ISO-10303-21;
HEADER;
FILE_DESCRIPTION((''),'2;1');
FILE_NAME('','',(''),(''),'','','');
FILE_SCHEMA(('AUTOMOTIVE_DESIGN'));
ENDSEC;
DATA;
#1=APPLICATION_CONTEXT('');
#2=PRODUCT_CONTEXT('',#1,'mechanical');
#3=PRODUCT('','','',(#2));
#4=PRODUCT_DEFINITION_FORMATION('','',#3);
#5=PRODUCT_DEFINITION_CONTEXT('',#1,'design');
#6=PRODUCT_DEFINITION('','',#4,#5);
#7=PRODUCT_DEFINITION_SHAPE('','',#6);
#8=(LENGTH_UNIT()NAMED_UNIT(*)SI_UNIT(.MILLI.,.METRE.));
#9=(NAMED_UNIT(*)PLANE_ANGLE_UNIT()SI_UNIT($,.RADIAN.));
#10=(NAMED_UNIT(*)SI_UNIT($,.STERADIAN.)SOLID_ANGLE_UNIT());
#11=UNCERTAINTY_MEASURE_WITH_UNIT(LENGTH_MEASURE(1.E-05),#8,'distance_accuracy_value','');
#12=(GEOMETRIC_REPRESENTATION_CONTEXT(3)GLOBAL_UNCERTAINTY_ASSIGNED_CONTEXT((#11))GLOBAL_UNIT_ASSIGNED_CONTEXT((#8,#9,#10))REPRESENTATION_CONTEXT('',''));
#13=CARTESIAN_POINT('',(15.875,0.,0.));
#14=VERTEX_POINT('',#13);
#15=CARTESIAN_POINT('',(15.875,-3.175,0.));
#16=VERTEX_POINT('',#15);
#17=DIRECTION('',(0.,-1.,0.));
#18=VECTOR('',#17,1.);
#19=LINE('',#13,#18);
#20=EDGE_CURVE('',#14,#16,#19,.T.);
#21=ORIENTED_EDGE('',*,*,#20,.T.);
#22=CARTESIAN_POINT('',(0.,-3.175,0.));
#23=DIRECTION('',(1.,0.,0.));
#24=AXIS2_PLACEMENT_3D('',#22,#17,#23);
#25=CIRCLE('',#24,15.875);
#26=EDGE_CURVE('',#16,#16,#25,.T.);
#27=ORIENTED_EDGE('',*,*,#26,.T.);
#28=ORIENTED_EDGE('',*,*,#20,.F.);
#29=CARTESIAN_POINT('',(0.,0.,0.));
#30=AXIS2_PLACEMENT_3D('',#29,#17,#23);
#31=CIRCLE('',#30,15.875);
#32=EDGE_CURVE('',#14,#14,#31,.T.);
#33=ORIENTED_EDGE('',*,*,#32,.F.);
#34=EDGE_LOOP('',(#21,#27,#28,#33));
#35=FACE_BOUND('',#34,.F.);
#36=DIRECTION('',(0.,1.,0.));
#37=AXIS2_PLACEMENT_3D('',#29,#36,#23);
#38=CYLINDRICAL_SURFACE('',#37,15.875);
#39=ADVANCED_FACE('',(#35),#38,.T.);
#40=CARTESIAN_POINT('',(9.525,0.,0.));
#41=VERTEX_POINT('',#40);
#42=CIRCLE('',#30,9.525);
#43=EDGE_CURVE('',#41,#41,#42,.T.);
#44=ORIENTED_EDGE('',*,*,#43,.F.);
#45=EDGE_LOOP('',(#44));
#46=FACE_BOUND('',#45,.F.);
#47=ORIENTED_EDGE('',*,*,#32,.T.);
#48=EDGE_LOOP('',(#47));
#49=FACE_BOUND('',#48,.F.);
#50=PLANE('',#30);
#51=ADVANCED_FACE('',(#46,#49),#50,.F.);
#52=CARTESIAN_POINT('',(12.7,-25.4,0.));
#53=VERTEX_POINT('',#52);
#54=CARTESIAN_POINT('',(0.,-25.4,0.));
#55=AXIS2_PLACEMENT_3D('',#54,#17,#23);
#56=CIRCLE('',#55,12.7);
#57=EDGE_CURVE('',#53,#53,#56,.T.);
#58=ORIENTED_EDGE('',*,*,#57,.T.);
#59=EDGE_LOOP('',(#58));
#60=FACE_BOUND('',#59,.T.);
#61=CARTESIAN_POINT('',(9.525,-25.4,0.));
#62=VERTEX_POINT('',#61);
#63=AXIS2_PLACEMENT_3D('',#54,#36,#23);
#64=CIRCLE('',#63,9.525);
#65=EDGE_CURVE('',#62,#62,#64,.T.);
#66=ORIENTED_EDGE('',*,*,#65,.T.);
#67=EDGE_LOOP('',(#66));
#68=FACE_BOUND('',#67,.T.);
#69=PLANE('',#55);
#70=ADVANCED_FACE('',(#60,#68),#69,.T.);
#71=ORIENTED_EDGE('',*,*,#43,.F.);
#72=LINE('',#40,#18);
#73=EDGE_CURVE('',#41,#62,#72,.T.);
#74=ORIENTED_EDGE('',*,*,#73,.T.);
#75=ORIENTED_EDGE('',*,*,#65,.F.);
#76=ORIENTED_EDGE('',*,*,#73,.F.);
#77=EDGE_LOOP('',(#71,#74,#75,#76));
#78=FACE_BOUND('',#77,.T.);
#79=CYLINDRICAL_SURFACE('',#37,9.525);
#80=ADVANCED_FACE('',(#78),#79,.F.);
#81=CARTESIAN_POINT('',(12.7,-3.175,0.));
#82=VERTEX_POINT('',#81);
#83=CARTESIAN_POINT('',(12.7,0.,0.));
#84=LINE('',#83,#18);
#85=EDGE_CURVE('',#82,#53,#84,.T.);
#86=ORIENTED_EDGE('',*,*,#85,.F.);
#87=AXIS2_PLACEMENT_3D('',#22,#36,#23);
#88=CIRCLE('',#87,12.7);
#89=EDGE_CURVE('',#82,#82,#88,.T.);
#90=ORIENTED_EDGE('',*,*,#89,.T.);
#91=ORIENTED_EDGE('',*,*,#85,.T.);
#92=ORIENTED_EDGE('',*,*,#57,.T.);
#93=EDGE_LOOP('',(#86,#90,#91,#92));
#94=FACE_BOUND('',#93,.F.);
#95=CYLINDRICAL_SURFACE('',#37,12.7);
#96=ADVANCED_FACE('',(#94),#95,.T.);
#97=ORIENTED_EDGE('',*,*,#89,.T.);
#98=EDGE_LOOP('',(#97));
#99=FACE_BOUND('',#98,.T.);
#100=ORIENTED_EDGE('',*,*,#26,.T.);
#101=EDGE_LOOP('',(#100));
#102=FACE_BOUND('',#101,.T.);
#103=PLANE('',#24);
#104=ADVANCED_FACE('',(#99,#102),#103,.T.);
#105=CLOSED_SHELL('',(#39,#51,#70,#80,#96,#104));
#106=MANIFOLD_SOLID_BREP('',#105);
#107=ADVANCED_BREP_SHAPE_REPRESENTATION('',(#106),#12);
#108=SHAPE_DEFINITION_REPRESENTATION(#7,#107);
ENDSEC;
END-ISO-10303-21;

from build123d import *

# Parameters (mm, degrees)
F1_R     = 12.7
F3_DEPTH = 25.4
F0_R     = 15.875
F4_DEPTH = 3.175
F2_R     = 9.525
F5_DEPTH = 25.401


with BuildPart() as f3:
    # F1 (on face) → F3 (new body)
    with BuildSketch(Plane.XZ):
        Circle(F1_R)
    extrude(amount=F3_DEPTH)

    # F0 (on Front) → F4 (join)
    with BuildSketch(Plane.XZ):
        Circle(F0_R)
    extrude(amount=F4_DEPTH)

    # F2 (on face) → F5 (cut, through all)
    with BuildSketch(Plane.XZ):
        Circle(F2_R)
    extrude(amount=F5_DEPTH, mode=Mode.SUBTRACT)


solid = f3.part
